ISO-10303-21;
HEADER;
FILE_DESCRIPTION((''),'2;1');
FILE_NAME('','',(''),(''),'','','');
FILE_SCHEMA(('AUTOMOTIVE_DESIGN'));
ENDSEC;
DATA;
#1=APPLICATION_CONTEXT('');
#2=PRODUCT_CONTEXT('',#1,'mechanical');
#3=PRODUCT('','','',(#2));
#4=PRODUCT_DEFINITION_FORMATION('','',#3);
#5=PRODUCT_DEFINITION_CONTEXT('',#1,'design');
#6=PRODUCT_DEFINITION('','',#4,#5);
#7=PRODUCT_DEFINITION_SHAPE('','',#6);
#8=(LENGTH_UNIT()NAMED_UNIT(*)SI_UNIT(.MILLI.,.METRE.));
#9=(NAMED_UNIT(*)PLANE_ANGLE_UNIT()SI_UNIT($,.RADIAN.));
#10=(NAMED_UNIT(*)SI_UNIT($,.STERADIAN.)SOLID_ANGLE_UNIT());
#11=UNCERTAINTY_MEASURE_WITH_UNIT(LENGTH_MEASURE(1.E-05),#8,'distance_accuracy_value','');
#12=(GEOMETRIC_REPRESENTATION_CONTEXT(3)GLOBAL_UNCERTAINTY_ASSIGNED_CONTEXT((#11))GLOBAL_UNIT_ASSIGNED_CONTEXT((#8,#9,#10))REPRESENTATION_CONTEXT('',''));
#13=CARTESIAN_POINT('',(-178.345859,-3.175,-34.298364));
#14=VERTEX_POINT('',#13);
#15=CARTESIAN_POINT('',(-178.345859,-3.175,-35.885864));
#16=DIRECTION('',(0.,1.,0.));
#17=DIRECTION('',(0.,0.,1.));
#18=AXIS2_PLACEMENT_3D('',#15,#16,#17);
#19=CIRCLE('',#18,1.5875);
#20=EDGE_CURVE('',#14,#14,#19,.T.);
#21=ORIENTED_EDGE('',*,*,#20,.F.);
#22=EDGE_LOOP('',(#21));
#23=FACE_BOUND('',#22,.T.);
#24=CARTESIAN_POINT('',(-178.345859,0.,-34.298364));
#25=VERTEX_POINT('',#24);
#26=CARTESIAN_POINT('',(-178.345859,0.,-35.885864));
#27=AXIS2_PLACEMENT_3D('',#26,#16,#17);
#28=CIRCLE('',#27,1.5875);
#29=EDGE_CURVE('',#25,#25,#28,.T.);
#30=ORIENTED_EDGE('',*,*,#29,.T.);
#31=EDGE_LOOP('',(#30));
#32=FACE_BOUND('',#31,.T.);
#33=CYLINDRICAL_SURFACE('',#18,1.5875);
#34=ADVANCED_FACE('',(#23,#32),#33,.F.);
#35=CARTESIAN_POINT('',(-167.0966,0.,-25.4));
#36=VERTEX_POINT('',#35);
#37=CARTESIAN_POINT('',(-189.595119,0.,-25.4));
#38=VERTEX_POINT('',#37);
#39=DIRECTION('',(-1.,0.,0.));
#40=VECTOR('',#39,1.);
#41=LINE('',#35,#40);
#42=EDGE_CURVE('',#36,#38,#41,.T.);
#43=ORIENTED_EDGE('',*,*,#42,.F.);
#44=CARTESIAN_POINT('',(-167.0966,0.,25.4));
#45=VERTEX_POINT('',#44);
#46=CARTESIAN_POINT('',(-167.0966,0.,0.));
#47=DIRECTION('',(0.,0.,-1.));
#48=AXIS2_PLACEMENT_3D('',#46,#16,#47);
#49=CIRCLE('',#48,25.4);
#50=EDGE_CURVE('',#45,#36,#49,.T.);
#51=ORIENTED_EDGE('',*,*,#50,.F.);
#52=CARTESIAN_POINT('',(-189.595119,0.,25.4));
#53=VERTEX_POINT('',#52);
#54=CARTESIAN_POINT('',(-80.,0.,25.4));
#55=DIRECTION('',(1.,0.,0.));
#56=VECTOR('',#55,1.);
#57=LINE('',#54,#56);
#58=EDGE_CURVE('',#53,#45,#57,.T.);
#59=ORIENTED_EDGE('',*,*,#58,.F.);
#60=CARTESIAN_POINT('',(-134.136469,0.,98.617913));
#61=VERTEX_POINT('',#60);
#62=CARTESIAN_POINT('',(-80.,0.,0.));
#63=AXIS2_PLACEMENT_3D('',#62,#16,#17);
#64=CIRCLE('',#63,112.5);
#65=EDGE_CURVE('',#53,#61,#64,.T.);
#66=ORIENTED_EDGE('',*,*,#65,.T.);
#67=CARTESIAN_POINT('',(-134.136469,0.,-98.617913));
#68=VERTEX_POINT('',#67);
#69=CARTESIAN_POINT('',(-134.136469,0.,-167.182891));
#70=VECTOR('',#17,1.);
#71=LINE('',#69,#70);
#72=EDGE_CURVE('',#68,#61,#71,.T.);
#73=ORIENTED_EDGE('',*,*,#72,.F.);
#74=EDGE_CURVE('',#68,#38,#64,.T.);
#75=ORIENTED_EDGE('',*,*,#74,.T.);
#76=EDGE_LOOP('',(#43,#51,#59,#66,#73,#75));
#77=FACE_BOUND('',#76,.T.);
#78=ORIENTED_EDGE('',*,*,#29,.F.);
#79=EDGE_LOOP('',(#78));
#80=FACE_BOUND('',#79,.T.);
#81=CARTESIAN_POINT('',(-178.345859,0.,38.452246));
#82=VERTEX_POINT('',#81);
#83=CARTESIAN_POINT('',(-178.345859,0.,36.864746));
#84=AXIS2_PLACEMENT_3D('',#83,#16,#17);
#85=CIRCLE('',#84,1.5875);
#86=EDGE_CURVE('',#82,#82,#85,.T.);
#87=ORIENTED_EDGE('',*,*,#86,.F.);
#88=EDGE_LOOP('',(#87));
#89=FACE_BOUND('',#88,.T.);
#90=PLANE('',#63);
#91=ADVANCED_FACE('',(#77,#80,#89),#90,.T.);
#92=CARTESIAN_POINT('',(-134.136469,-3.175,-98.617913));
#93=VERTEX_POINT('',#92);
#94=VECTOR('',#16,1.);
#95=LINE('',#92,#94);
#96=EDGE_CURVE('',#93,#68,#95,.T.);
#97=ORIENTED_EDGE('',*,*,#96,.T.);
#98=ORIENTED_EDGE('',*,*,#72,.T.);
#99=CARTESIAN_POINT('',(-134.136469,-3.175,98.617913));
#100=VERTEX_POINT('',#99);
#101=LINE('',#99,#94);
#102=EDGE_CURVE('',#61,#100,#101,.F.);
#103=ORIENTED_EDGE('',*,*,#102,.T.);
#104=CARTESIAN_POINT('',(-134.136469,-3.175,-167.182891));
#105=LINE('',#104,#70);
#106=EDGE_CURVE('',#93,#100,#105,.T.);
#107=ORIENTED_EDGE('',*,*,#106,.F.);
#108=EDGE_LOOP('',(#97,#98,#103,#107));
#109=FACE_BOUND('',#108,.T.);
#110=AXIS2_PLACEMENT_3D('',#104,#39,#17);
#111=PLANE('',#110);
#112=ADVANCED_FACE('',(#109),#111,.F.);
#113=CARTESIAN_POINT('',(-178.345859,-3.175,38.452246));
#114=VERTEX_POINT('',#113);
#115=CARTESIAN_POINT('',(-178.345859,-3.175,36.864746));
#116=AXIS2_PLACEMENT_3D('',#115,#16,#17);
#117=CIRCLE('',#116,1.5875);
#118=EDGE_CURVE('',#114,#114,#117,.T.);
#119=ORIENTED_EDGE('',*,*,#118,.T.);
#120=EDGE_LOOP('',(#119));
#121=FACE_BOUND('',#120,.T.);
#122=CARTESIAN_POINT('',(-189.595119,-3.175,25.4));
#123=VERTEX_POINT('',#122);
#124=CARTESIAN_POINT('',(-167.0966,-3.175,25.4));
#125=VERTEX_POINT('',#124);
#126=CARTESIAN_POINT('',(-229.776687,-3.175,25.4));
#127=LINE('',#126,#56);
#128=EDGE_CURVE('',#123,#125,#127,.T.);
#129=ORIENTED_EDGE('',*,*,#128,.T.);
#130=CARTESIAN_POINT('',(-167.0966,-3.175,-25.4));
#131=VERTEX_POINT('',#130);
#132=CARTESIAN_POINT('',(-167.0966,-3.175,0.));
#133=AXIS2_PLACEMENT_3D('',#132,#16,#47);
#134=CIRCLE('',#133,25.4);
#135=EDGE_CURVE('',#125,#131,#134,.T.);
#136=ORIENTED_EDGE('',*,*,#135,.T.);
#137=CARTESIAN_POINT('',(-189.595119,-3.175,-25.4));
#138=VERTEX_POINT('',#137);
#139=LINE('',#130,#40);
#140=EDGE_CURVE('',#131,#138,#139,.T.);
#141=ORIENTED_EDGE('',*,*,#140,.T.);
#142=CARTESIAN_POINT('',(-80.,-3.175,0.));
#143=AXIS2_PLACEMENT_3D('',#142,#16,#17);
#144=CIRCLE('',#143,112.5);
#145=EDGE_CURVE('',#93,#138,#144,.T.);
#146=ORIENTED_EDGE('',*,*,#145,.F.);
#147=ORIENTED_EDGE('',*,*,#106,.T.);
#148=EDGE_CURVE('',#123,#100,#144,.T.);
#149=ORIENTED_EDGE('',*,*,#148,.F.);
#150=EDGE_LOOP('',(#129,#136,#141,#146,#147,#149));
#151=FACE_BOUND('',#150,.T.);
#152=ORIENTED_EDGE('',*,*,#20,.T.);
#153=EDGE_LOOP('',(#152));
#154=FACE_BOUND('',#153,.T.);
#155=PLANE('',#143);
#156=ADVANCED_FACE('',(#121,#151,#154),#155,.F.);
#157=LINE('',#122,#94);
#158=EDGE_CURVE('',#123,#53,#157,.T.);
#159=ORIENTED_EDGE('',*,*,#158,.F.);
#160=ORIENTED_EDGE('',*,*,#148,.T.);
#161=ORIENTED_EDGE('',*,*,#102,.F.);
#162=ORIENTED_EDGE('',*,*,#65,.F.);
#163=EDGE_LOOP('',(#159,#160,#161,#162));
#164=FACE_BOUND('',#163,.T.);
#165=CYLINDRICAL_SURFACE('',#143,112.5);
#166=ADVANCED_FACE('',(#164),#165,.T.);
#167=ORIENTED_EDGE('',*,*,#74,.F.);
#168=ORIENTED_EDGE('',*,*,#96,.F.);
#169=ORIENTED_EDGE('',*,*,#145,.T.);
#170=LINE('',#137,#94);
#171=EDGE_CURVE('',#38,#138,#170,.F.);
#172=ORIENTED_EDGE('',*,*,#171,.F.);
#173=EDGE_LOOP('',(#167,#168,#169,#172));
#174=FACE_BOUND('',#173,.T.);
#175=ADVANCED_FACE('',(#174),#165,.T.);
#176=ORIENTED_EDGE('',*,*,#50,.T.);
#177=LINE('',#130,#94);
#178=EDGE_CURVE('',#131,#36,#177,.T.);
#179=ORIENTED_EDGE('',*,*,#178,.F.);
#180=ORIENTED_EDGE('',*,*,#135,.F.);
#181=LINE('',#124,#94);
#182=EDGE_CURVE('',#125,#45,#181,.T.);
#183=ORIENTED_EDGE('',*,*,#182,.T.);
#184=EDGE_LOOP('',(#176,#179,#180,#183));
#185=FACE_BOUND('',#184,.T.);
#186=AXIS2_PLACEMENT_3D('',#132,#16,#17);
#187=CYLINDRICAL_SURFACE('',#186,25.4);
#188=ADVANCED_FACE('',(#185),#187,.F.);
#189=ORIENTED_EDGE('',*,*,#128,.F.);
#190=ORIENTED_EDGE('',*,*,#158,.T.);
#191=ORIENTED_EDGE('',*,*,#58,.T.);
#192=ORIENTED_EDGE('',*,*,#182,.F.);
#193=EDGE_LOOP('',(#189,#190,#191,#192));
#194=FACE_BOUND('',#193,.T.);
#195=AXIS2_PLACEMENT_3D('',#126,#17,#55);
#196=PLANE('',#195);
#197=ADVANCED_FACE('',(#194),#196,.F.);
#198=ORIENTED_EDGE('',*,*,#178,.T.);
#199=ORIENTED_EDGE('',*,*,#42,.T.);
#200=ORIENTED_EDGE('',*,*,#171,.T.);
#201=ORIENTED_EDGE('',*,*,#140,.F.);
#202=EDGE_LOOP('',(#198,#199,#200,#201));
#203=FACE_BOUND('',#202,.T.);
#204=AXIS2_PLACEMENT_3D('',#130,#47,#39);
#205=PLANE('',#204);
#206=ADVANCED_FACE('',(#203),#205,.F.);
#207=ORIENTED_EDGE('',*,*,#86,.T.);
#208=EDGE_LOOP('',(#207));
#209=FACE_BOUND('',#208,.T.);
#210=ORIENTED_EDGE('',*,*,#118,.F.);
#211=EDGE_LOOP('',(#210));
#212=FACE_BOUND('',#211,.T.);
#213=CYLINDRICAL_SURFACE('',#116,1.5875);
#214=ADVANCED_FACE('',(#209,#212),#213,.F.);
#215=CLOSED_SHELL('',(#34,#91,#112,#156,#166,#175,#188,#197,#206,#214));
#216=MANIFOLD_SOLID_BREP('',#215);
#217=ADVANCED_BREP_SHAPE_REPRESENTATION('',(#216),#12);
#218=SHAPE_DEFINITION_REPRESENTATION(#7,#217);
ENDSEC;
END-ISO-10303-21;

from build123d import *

# Parameters (mm, degrees)
BOSS_EXTRUDE1_DEPTH = 3.175
SKETCH2_R           = 1.5875
SKETCH2_W           = 80.264
SKETCH2_H           = 12.954
CUT_EXTRUDE1_DEPTH  = 223.985606318
SKETCH7_R           = 1.5875
SKETCH7_W           = 46.99
SKETCH7_H           = 138.43
CUT_EXTRUDE4_DEPTH  = 223.985606318
CUT_EXTRUDE5_DEPTH  = 223.985606318
SKETCH9_W           = 300.072277348
SKETCH9_H           = 334.026066528
CUT_EXTRUDE6_DEPTH  = 221.482742149
SKETCH10_R          = 1.5875
CUT_EXTRUDE7_DEPTH  = 214.733203623


with BuildPart() as part:
    # Sketch1 → Boss-Extrude1 (new body)
    with BuildSketch(Plane(origin=(0, 0, 0), x_dir=(1, 0, 0), z_dir=(0, 1, 0))):
        with BuildLine():
            Line((-80, 112.5), (100, 112.5))
            Line((100, 112.5), (100, -112.5))
            Line((100, -112.5), (-80, -112.5))
            ThreePointArc((-80, -112.5), (-192.5, 0), (-80, 112.5))
        make_face()
    extrude(amount=-BOSS_EXTRUDE1_DEPTH)

    # Sketch2 → Cut-Extrude1 (cut, through all)
    with BuildSketch(Plane(origin=(0, 0, 0), x_dir=(1, 0, 0), z_dir=(0, 1, 0))):
        with Locations(Location((36.144045702, -74.2188, 0), (0, 0, 270))):
            Circle(SKETCH2_R)
        with Locations(Location((36.144045702, -67.8688, 0), (0, 0, 270))):
            Circle(SKETCH2_R)
        with Locations(Location((36.144045702, -61.5188, 0), (0, 0, 270))):
            Circle(SKETCH2_R)
        with Locations(Location((36.144045702, -55.1688, 0), (0, 0, 270))):
            Circle(SKETCH2_R)
        with Locations(Location((36.144045702, -48.8188, 0), (0, 0, 270))):
            Circle(SKETCH2_R)
        with Locations(Location((36.144045702, -42.4688, 0), (0, 0, 270))):
            Circle(SKETCH2_R)
        with Locations(Location((36.144045702, -36.1188, 0), (0, 0, 270))):
            Circle(SKETCH2_R)
        with Locations(Location((67.894045702, -74.2188, 0), (0, 0, 270))):
            Circle(SKETCH2_R)
        with Locations(Location((67.894045702, -67.8688, 0), (0, 0, 270))):
            Circle(SKETCH2_R)
        with Locations(Location((67.894045702, -61.5188, 0), (0, 0, 270))):
            Circle(SKETCH2_R)
        with Locations(Location((67.894045702, -55.1688, 0), (0, 0, 270))):
            Circle(SKETCH2_R)
        with Locations(Location((67.894045702, -48.8188, 0), (0, 0, 270))):
            Circle(SKETCH2_R)
        with Locations(Location((67.894045702, -42.4688, 0), (0, 0, 270))):
            Circle(SKETCH2_R)
        with Locations(Location((67.894045702, -36.1188, 0), (0, 0, 270))):
            Circle(SKETCH2_R)
        with Locations(Location((36.144045702, 74.2188, 0), (0, 0, 270))):
            Circle(SKETCH2_R)
        with Locations(Location((36.144045702, 67.8688, 0), (0, 0, 270))):
            Circle(SKETCH2_R)
        with Locations(Location((36.144045702, 61.5188, 0), (0, 0, 270))):
            Circle(SKETCH2_R)
        with Locations(Location((36.144045702, 55.1688, 0), (0, 0, 270))):
            Circle(SKETCH2_R)
        with Locations(Location((36.144045702, 48.8188, 0), (0, 0, 270))):
            Circle(SKETCH2_R)
        with Locations(Location((36.144045702, 42.4688, 0), (0, 0, 270))):
            Circle(SKETCH2_R)
        with Locations(Location((36.144045702, 36.1188, 0), (0, 0, 270))):
            Circle(SKETCH2_R)
        with Locations(Location((67.894045702, 74.2188, 0), (0, 0, 270))):
            Circle(SKETCH2_R)
        with Locations(Location((67.894045702, 67.8688, 0), (0, 0, 270))):
            Circle(SKETCH2_R)
        with Locations(Location((67.894045702, 61.5188, 0), (0, 0, 270))):
            Circle(SKETCH2_R)
        with Locations(Location((67.894045702, 55.1688, 0), (0, 0, 270))):
            Circle(SKETCH2_R)
        with Locations(Location((67.894045702, 48.8188, 0), (0, 0, 270))):
            Circle(SKETCH2_R)
        with Locations(Location((67.894045702, 42.4688, 0), (0, 0, 270))):
            Circle(SKETCH2_R)
        with Locations(Location((67.894045702, 36.1188, 0), (0, 0, 270))):
            Circle(SKETCH2_R)
        with Locations((52.019045702, -96.4438)):
            Rectangle(SKETCH2_W, SKETCH2_H)
        with Locations((52.019045702, 96.4438)):
            Rectangle(SKETCH2_W, SKETCH2_H)
    extrude(amount=-CUT_EXTRUDE1_DEPTH, mode=Mode.SUBTRACT)

    # Sketch7 → Cut-Extrude4 (cut, through all)
    with BuildSketch(Plane(origin=(0, 0, 0), x_dir=(1, 0, 0), z_dir=(0, 1, 0))):
        with Locations(Location((-50.166143469, 0, 0), (0, 0, 270))):
            Circle(SKETCH7_R)
        with Locations(Location((25.582761582, 0, 0), (0, 0, 270))):
            Circle(SKETCH7_R)
        with Locations(Location((87.462148806, 0, 0), (0, 0, 270))):
            Circle(SKETCH7_R)
        with Locations((-13.971143469, 0)):
            Rectangle(SKETCH7_W, SKETCH7_H)
    extrude(amount=-CUT_EXTRUDE4_DEPTH, mode=Mode.SUBTRACT)

    # Sketch8 → Cut-Extrude5 (cut, through all)
    with BuildSketch(Plane(origin=(0, 0, 0), x_dir=(1, 0, 0), z_dir=(0, 1, 0))):
        with BuildLine():
            Line((-167.0966, 25.4), (-229.776686608, 25.4))
            Line((-229.776686608, 25.4), (-229.776686608, -25.4))
            Line((-229.776686608, -25.4), (-167.0966, -25.4))
            ThreePointArc((-167.0966, -25.4), (-141.6966, 0), (-167.0966, 25.4))
        make_face()
    extrude(amount=-CUT_EXTRUDE5_DEPTH, mode=Mode.SUBTRACT)

    # Sketch9 → Cut-Extrude6 (cut, through all)
    with BuildSketch(Plane(origin=(0, 0, 0), x_dir=(1, 0, 0), z_dir=(0, 1, 0))):
        with Locations((15.89966987, 0.169857655)):
            Rectangle(SKETCH9_W, SKETCH9_H)
    extrude(amount=-CUT_EXTRUDE6_DEPTH, mode=Mode.SUBTRACT)

    # Sketch10 → Cut-Extrude7 (cut, through all)
    with BuildSketch(Plane(origin=(0, 0, 0), x_dir=(1, 0, 0), z_dir=(0, 1, 0))):
        with Locations(Location((-178.345859252, -36.864745569, 0), (0, 0, 270))):
            Circle(SKETCH10_R)
        with Locations(Location((-178.345859252, 35.885864147, 0), (0, 0, 270))):
            Circle(SKETCH10_R)
    extrude(amount=-CUT_EXTRUDE7_DEPTH, mode=Mode.SUBTRACT)


solid = part.part
